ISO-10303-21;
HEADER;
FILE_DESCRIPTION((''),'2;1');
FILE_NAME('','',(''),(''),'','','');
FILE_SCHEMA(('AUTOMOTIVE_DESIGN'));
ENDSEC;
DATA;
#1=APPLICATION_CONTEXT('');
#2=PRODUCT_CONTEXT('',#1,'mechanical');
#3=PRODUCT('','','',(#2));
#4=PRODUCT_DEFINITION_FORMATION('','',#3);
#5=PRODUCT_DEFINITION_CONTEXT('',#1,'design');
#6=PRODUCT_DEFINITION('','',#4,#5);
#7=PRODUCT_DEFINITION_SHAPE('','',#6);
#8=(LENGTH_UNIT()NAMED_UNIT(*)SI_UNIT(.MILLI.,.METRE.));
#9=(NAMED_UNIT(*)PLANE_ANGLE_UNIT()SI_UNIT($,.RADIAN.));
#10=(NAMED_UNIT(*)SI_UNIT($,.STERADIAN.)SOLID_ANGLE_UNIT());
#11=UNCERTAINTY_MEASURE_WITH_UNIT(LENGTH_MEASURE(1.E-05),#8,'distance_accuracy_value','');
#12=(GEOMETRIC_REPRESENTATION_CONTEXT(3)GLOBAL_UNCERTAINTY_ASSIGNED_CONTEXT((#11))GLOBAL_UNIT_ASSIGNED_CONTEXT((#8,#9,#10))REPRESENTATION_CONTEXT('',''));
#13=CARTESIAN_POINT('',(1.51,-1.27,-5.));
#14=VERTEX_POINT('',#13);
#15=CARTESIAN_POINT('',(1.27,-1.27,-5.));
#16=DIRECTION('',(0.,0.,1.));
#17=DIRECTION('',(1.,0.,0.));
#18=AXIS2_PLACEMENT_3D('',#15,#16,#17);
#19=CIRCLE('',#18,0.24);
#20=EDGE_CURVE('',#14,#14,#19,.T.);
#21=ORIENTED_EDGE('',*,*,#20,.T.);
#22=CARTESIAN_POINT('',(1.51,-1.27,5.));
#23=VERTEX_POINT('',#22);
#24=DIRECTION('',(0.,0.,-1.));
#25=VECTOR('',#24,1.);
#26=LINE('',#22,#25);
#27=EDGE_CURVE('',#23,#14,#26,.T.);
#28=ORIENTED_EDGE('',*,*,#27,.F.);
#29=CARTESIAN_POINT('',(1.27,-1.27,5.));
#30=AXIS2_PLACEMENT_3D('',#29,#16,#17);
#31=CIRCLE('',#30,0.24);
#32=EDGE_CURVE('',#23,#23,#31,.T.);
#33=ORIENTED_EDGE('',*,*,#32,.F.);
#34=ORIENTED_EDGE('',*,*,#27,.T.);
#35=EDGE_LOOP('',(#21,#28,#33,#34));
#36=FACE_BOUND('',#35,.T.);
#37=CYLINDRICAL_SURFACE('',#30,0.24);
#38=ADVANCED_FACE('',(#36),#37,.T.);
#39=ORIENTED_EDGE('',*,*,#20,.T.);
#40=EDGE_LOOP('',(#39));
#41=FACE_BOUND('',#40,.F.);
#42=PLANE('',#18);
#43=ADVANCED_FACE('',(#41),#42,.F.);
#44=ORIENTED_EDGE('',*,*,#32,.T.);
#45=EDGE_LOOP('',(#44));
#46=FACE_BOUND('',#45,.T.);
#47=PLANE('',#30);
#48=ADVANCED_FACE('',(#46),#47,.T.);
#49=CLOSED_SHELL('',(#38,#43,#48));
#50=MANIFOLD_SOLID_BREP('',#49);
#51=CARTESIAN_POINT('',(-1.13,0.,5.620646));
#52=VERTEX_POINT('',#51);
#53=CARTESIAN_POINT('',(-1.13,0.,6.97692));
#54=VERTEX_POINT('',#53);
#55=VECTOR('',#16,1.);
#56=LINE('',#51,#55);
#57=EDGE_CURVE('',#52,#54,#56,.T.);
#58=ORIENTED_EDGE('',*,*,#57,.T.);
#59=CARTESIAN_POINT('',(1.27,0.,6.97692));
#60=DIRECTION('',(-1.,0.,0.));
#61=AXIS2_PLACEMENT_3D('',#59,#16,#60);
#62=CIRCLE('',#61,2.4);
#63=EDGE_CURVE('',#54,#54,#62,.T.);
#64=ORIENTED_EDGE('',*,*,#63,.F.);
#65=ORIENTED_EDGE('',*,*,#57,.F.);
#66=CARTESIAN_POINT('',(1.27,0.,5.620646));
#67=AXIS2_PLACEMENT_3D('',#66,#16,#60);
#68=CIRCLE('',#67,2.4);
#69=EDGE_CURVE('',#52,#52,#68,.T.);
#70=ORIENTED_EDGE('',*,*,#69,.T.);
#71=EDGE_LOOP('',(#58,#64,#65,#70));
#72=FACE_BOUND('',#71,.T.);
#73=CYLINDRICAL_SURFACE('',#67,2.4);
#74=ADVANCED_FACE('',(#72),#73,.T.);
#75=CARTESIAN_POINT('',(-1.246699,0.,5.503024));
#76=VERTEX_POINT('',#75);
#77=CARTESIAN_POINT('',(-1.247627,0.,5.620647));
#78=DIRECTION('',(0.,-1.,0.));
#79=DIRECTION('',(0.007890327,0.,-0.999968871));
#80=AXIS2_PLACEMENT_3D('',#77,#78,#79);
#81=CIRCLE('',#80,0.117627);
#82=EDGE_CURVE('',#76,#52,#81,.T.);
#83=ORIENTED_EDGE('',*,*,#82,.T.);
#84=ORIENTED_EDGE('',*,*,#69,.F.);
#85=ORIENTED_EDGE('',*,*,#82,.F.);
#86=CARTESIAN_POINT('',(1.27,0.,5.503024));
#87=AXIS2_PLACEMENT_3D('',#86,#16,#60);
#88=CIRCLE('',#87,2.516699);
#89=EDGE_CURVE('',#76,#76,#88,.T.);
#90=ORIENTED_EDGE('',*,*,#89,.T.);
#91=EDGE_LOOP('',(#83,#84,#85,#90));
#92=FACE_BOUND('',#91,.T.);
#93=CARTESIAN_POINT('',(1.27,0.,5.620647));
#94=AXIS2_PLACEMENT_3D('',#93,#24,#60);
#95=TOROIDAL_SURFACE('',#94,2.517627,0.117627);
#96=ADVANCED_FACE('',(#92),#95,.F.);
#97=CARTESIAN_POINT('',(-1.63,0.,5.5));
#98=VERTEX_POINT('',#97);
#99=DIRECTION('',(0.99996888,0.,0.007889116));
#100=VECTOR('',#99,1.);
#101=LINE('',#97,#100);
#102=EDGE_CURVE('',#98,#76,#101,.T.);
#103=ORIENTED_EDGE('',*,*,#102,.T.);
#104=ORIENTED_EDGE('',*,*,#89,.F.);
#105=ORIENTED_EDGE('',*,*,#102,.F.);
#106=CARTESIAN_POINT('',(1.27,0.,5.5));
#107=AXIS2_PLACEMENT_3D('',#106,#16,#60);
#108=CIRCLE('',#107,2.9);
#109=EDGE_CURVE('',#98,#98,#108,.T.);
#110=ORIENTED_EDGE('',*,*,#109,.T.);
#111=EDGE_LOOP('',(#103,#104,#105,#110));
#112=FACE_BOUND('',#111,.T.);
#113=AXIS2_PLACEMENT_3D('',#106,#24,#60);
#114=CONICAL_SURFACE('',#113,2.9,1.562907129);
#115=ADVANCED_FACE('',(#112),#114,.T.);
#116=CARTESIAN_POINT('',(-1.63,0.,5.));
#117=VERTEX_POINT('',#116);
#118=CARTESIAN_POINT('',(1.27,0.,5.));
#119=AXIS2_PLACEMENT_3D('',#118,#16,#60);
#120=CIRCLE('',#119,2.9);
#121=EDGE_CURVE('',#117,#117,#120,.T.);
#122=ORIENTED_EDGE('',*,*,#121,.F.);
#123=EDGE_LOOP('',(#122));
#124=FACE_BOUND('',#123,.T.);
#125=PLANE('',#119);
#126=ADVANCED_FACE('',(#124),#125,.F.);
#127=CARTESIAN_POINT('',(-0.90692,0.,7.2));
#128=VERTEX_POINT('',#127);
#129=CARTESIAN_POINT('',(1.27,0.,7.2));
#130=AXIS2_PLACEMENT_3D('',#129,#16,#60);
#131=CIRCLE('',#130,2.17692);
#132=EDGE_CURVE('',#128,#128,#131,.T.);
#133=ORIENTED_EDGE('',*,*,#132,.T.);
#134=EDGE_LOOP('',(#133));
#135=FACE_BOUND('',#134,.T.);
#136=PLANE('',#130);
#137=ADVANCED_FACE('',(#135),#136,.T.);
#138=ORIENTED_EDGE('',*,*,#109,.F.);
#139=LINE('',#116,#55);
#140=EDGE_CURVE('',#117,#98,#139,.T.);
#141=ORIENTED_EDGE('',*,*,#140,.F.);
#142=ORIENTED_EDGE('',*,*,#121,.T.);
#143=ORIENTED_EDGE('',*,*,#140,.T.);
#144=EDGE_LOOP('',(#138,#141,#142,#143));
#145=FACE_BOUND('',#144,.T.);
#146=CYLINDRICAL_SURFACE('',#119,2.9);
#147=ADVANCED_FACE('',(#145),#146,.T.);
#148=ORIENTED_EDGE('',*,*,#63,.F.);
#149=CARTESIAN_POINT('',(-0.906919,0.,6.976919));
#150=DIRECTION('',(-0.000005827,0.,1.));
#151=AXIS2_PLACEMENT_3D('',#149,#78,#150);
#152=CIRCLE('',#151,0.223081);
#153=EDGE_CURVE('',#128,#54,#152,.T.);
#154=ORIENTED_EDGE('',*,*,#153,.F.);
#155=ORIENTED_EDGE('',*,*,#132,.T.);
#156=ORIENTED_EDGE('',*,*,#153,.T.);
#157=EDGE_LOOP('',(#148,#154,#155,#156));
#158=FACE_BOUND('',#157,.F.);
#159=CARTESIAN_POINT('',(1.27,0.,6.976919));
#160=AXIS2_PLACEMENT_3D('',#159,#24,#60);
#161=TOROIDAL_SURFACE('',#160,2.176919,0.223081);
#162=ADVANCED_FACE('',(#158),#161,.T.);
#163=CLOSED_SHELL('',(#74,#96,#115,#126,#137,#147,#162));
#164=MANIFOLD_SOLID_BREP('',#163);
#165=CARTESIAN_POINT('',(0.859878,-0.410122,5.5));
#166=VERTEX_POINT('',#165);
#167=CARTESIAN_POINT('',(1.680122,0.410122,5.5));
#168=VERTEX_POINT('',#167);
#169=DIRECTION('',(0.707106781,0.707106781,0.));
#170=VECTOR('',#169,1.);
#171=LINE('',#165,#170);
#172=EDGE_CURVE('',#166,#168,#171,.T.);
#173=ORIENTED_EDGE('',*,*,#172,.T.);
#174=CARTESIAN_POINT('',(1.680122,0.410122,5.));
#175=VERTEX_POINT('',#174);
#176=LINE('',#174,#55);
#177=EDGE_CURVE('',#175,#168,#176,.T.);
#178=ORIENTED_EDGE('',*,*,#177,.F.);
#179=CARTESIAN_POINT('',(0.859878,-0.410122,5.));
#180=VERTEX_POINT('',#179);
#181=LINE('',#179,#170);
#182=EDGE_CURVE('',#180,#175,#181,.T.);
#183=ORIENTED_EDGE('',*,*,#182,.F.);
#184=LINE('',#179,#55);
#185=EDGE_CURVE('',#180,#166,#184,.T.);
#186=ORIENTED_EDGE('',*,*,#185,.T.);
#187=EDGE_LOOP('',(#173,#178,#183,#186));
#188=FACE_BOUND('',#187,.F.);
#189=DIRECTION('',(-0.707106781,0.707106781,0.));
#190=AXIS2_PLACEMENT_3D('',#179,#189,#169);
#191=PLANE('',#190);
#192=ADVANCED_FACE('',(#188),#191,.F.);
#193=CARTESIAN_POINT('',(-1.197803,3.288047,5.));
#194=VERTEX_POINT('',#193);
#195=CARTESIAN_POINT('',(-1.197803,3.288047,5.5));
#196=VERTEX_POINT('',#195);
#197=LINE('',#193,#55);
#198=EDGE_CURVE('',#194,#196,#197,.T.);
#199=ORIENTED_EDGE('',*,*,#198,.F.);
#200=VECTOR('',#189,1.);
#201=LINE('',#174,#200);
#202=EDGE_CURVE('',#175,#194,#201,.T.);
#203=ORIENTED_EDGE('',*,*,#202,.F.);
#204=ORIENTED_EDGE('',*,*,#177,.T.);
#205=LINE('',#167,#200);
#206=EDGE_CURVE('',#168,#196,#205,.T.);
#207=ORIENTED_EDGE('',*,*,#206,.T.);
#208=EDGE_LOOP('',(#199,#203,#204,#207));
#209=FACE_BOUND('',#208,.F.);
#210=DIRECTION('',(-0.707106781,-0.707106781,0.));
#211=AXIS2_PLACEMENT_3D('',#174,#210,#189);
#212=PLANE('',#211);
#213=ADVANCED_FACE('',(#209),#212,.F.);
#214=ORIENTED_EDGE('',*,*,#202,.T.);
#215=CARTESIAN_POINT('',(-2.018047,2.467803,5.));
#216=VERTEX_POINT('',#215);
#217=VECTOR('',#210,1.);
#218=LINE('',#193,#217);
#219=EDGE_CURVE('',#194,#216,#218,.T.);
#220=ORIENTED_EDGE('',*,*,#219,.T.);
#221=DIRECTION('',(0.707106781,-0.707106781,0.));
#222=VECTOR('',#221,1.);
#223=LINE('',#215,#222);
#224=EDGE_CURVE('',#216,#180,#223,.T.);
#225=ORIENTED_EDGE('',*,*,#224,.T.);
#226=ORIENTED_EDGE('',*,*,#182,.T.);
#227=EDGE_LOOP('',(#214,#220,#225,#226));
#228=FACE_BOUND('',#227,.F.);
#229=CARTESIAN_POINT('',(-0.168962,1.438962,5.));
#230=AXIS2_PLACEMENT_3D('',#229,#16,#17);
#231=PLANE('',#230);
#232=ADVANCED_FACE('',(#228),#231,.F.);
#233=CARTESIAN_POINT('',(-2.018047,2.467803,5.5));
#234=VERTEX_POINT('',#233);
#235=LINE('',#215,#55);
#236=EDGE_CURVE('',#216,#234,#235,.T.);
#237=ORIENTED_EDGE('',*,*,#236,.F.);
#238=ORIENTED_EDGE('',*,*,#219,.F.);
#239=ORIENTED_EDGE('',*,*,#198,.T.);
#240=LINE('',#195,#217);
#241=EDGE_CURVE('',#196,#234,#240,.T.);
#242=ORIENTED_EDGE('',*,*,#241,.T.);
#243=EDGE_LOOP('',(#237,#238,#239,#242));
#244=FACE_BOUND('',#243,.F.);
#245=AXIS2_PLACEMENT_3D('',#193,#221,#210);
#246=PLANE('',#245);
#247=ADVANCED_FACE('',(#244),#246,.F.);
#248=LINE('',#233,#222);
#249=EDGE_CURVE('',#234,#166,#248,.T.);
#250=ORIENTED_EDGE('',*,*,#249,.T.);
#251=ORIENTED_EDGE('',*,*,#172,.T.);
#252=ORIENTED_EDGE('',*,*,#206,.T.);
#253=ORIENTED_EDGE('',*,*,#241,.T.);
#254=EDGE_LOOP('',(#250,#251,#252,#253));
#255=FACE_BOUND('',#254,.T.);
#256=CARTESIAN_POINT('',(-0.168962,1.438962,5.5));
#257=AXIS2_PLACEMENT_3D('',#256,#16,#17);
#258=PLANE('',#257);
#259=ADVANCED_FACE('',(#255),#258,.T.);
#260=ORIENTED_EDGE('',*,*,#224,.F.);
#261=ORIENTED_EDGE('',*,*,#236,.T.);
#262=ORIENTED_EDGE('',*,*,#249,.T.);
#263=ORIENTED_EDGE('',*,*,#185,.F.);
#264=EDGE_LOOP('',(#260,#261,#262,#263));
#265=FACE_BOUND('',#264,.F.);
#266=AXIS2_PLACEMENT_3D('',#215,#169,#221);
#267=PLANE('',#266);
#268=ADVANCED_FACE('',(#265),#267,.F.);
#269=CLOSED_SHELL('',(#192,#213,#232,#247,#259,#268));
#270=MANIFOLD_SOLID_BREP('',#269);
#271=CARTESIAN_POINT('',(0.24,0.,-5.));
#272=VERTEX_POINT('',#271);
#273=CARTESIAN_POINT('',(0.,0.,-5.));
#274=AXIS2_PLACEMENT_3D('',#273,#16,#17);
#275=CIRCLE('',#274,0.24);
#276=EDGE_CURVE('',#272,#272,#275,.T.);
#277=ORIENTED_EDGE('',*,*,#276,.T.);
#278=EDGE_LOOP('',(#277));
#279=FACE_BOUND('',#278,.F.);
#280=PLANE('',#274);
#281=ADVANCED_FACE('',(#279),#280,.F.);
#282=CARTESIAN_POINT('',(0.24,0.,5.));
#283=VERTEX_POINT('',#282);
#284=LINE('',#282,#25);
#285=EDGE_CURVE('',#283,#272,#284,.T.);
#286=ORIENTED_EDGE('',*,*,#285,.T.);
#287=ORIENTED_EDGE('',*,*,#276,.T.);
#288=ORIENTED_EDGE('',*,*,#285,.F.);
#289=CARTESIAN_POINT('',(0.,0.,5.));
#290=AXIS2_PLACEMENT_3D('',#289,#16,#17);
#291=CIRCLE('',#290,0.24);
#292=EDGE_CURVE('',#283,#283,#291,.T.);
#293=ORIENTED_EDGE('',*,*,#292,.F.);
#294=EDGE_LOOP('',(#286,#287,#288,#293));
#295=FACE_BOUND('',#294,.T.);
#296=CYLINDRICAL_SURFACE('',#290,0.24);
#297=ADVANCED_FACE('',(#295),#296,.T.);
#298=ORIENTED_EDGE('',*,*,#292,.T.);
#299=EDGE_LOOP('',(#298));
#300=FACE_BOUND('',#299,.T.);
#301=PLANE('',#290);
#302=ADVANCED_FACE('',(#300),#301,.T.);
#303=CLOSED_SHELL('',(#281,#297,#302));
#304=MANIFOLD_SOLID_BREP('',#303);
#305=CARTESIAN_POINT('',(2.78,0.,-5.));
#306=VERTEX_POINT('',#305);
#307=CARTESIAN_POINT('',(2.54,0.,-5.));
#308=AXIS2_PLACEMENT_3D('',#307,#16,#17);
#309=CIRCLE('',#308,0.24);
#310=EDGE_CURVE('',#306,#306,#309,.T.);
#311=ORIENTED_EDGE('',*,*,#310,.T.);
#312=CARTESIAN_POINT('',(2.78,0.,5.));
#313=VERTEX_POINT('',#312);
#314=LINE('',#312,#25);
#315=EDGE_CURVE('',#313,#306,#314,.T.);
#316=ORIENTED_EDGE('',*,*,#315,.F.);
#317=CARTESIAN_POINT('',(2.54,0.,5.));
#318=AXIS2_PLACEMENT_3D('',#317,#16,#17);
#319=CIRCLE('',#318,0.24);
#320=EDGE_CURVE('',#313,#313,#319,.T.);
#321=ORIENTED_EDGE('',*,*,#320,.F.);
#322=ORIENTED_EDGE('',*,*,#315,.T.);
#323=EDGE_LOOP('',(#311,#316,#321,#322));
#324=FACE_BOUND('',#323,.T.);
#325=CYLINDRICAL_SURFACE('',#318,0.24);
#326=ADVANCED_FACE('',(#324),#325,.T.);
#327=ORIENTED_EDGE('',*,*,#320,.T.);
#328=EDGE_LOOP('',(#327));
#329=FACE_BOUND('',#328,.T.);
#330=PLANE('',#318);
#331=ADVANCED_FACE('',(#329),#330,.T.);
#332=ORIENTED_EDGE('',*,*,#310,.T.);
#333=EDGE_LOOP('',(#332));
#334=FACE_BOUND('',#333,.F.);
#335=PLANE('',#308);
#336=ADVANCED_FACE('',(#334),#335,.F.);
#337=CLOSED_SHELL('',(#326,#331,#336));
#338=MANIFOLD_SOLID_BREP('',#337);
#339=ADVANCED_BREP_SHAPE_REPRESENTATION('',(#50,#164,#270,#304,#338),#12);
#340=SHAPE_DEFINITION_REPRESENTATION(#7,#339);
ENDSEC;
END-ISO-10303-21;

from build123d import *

# Parameters (mm, degrees)
SKETCH_R     = 0.24
PAD_DEPTH    = 10
PAD003_DEPTH = 0.5


with BuildPart() as pad:
    # Sketch → Pad (new body)
    with BuildSketch(Plane.XY.offset(5)):
        Circle(SKETCH_R)
        with Locations((2.54, 0)):
            Circle(SKETCH_R)
        with Locations((1.27, -1.27)):
            Circle(SKETCH_R)
    extrude(amount=-PAD_DEPTH)


with BuildPart() as revolution:
    # Sketch003 → Revolution (revolve)
    with BuildSketch(Plane.XZ):
        with BuildLine():
            Line((1.27, 5), (-1.63, 5))
            Line((-1.63, 5), (-1.63, 5.5))
            Line((-1.63, 5.5), (-1.246699, 5.503024))
            ThreePointArc((-1.246699, 5.503024), (-1.164125, 5.537801), (-1.13, 5.620646))
            Line((-1.13, 5.620646), (-1.13, 6.97692))
            ThreePointArc((-0.90692, 7.2), (-1.064661, 7.134661), (-1.13, 6.97692))
            Line((-0.90692, 7.2), (1.27, 7.2))
            Line((1.27, 7.2), (1.27, 5))
        make_face()
    revolve(axis=Axis((1.27, 0, 2.550668), (0, 0, 1)))


with BuildPart() as pad003:
    # Sketch004 → Pad003 (new body)
    with BuildSketch(Plane.XY.offset(5)):
        Polygon((1.680122, 0.410122), (-1.197803, 3.288047), (-2.018047, 2.467803), (0.859878, -0.410122), align=None)
    extrude(amount=PAD003_DEPTH)


solid = Compound([pad.part, revolution.part, pad003.part])
